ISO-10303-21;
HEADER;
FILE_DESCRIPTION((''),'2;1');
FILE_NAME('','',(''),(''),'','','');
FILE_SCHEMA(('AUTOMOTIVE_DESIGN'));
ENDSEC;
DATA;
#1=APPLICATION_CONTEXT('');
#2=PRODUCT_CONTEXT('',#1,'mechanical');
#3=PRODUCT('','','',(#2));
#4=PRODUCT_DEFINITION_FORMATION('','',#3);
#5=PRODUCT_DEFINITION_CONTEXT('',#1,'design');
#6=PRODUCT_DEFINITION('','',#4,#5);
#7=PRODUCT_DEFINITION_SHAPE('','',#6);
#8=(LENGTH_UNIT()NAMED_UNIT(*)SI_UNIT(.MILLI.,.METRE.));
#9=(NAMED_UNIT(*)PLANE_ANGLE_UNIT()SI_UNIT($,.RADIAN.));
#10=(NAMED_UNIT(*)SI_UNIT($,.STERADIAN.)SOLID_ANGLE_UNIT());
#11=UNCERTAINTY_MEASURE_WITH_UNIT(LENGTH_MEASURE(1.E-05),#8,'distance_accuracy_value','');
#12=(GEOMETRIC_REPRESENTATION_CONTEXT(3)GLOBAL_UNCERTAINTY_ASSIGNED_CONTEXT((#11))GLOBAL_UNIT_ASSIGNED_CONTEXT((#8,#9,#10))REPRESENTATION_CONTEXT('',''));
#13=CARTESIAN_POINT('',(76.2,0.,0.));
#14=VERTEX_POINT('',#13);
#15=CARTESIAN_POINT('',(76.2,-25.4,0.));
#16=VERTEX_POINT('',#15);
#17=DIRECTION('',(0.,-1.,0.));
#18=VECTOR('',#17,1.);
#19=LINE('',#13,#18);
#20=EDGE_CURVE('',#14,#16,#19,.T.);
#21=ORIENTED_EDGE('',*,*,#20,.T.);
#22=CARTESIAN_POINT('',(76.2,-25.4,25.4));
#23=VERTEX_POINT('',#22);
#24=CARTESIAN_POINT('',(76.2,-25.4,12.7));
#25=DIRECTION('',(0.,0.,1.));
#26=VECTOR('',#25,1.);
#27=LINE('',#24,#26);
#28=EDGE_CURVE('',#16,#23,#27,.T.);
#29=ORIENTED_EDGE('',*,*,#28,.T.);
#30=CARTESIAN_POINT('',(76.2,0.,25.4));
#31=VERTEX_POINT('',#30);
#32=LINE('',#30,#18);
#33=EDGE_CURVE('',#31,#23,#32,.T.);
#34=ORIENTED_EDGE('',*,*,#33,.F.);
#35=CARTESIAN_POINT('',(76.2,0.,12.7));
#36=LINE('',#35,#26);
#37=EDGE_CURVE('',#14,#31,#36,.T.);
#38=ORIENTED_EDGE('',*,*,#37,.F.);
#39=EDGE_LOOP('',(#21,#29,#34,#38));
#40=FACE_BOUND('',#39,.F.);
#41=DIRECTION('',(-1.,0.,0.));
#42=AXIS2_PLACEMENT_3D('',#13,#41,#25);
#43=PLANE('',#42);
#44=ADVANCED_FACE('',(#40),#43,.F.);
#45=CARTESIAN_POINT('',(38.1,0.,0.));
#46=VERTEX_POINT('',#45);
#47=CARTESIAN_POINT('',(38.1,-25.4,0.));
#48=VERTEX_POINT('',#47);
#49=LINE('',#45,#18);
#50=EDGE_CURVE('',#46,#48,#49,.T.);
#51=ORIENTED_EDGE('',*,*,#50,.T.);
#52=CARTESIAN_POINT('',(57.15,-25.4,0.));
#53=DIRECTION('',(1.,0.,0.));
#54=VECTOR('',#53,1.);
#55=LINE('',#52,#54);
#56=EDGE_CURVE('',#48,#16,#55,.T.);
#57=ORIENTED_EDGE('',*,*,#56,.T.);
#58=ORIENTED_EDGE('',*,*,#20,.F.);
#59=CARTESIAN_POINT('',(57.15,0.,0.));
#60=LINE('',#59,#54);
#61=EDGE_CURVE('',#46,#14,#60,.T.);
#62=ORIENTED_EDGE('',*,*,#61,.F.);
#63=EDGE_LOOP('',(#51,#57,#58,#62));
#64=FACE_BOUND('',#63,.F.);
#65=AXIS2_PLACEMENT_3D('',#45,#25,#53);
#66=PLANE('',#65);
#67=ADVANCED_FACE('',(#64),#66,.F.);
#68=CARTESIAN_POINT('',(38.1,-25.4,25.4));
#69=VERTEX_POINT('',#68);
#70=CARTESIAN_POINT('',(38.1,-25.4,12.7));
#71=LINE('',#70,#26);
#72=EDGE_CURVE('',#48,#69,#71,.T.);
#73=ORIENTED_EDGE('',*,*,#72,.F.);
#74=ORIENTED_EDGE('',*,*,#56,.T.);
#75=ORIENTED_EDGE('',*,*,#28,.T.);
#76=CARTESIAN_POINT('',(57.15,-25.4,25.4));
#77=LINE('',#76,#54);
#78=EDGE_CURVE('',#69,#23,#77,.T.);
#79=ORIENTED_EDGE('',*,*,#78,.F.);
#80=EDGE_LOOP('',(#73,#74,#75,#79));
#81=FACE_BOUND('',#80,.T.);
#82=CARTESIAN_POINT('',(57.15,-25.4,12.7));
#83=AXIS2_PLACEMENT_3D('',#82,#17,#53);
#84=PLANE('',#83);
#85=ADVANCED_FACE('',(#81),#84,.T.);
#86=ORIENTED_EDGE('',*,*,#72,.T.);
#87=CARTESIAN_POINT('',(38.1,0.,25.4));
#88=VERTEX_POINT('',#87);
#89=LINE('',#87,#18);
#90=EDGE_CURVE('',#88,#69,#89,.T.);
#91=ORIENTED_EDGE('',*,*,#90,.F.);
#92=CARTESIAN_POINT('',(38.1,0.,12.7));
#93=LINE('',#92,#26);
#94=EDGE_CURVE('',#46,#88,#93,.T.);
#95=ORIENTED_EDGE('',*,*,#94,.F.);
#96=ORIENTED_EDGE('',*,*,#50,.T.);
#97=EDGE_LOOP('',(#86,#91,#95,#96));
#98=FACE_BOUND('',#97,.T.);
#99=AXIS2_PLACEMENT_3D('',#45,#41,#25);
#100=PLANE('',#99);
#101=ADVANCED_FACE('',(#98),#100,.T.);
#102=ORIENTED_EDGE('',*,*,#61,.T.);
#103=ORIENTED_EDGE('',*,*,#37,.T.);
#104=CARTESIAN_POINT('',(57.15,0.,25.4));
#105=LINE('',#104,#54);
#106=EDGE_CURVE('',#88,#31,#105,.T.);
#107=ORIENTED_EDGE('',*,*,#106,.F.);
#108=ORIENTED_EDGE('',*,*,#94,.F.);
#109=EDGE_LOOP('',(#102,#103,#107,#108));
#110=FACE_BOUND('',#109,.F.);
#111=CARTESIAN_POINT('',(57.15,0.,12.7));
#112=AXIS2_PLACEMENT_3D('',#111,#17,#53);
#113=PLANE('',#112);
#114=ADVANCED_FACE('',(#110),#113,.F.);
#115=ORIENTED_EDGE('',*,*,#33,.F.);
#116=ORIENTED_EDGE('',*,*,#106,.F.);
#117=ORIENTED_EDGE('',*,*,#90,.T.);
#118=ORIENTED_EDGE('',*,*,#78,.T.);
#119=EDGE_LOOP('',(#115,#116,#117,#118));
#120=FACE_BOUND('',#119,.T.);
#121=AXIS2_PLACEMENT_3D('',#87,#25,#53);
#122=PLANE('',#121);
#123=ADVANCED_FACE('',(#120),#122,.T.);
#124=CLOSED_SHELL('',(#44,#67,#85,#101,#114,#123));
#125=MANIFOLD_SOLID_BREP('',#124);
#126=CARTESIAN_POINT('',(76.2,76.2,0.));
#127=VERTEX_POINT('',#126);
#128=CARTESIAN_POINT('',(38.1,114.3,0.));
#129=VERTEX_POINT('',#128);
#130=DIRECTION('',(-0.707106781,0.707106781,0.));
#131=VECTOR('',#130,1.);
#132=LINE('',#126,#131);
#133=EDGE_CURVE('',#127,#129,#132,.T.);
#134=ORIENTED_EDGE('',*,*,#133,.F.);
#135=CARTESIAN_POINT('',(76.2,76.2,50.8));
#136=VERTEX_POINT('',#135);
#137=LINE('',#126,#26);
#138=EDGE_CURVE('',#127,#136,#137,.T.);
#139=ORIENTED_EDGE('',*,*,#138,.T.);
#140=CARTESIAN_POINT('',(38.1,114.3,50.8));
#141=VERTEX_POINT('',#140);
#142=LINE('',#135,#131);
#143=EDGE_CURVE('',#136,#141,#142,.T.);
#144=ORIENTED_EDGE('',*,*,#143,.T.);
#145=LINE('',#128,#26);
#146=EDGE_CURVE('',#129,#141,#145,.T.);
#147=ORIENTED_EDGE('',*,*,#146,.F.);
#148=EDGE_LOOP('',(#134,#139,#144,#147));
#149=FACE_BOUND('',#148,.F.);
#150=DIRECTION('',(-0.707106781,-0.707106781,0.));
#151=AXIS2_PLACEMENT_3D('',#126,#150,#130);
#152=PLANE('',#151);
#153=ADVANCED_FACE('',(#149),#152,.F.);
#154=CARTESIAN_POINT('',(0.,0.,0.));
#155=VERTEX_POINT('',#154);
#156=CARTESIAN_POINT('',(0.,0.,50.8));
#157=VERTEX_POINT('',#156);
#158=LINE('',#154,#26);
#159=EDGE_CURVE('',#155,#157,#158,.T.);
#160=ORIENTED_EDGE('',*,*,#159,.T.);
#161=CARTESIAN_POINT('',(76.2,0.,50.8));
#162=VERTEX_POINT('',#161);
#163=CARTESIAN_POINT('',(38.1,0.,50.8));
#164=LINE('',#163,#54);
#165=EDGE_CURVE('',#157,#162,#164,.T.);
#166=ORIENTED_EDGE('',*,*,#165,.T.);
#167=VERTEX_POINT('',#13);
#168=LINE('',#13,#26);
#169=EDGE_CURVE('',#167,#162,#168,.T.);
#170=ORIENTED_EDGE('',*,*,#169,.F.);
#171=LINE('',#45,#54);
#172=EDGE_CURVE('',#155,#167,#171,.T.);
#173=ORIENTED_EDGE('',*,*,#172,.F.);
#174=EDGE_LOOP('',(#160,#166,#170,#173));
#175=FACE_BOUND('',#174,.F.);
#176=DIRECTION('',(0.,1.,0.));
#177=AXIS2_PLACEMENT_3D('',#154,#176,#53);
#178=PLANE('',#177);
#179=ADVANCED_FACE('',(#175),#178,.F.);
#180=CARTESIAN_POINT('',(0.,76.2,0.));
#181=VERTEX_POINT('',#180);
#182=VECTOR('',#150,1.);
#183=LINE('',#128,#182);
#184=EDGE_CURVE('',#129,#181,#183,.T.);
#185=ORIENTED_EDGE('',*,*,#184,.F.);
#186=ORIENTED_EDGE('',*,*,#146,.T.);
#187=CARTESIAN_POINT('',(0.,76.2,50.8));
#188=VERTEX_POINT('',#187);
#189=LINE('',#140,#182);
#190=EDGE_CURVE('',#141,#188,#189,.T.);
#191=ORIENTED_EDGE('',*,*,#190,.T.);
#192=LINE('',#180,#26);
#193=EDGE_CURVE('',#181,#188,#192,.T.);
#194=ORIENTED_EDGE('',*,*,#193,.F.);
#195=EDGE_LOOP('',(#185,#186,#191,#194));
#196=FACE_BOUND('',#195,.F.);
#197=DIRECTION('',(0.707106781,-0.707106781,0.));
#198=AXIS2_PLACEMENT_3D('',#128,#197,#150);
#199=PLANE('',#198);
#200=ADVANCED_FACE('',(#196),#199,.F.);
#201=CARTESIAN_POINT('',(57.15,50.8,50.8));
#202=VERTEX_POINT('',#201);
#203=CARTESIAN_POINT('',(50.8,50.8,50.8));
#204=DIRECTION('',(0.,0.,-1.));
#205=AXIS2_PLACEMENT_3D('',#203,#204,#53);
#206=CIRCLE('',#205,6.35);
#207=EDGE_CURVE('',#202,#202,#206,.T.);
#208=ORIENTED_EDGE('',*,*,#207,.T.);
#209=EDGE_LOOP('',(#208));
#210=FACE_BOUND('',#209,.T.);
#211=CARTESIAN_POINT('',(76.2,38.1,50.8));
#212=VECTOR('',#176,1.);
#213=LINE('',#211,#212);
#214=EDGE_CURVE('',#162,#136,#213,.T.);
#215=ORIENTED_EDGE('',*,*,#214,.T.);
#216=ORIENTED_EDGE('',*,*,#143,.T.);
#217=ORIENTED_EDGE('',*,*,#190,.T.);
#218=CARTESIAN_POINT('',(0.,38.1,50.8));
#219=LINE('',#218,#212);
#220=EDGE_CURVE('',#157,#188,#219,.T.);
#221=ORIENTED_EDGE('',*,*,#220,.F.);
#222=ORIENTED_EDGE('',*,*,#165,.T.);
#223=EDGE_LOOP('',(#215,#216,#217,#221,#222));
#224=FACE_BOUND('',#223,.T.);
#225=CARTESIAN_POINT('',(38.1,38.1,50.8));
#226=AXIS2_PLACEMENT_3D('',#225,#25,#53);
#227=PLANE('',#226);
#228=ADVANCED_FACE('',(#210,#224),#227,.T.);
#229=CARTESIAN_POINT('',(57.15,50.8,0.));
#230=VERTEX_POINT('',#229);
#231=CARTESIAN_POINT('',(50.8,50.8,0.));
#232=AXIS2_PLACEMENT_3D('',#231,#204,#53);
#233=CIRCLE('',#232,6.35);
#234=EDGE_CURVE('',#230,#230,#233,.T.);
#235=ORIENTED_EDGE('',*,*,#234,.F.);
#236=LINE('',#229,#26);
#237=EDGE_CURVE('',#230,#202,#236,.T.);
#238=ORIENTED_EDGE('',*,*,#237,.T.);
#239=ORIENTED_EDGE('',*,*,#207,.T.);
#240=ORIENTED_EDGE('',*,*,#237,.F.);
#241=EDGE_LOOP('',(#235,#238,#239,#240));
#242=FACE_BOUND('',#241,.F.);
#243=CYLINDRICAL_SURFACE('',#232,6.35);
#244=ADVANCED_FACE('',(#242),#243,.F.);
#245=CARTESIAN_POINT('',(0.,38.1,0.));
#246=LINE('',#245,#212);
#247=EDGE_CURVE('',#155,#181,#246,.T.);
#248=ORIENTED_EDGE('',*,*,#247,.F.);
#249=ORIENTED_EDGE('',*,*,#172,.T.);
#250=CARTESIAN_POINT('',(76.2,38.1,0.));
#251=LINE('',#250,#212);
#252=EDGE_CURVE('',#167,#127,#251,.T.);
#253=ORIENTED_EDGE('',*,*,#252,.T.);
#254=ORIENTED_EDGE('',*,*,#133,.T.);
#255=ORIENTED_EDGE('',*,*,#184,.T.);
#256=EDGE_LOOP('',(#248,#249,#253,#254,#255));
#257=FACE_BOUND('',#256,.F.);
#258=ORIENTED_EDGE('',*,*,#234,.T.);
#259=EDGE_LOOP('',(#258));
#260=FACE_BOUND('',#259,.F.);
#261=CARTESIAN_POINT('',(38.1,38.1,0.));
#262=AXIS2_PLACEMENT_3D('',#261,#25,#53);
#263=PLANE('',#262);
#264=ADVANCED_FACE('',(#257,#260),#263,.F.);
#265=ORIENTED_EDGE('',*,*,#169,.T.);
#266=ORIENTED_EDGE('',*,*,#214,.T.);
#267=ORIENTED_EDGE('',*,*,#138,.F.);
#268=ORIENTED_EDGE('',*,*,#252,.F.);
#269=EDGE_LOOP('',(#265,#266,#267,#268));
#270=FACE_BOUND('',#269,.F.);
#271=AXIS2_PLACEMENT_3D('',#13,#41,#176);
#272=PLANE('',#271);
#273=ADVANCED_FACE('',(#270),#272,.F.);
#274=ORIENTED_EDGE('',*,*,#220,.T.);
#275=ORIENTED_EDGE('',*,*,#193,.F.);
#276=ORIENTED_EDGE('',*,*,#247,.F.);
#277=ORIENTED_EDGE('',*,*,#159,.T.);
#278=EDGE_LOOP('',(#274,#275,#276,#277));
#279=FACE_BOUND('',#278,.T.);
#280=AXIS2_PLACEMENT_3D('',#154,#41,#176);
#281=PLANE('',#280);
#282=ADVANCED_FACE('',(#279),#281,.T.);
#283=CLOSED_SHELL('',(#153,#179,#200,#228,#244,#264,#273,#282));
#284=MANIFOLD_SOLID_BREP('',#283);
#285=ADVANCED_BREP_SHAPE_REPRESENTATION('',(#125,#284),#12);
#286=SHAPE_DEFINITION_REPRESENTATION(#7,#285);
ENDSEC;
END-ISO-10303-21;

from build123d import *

# Parameters (mm, degrees)
F0_W     = 76.2
F0_H     = 76.2
F1_DEPTH = 50.8
F2_R     = 6.35
F3_DEPTH = 50.8
F4_W     = 38.1
F4_H     = 25.4
F5_DEPTH = 25.4


with BuildPart() as f1:
    # F0 (on Top) → F1 (new body)
    with BuildSketch(Plane.XY):
        with Locations((38.1, 38.1)):
            Rectangle(F0_W, F0_H)
        Polygon((38.1, 114.3), (0, 76.2), (76.2, 76.2), align=None)
    extrude(amount=F1_DEPTH)

    # F2 (on face) → F3 (cut)
    with BuildSketch(Plane(origin=(0, 0, 0), x_dir=(1, 0, 0), z_dir=(0, 0, -1))):
        with Locations((50.8, -50.8)):
            Circle(F2_R)
    extrude(amount=-F3_DEPTH, mode=Mode.SUBTRACT)


with BuildPart() as f5:
    # F4 (on face) → F5 (new body)
    with BuildSketch(Plane.XZ):
        with Locations((57.15, 12.7)):
            Rectangle(F4_W, F4_H)
    extrude(amount=F5_DEPTH)


solid = Compound([f1.part, f5.part])
